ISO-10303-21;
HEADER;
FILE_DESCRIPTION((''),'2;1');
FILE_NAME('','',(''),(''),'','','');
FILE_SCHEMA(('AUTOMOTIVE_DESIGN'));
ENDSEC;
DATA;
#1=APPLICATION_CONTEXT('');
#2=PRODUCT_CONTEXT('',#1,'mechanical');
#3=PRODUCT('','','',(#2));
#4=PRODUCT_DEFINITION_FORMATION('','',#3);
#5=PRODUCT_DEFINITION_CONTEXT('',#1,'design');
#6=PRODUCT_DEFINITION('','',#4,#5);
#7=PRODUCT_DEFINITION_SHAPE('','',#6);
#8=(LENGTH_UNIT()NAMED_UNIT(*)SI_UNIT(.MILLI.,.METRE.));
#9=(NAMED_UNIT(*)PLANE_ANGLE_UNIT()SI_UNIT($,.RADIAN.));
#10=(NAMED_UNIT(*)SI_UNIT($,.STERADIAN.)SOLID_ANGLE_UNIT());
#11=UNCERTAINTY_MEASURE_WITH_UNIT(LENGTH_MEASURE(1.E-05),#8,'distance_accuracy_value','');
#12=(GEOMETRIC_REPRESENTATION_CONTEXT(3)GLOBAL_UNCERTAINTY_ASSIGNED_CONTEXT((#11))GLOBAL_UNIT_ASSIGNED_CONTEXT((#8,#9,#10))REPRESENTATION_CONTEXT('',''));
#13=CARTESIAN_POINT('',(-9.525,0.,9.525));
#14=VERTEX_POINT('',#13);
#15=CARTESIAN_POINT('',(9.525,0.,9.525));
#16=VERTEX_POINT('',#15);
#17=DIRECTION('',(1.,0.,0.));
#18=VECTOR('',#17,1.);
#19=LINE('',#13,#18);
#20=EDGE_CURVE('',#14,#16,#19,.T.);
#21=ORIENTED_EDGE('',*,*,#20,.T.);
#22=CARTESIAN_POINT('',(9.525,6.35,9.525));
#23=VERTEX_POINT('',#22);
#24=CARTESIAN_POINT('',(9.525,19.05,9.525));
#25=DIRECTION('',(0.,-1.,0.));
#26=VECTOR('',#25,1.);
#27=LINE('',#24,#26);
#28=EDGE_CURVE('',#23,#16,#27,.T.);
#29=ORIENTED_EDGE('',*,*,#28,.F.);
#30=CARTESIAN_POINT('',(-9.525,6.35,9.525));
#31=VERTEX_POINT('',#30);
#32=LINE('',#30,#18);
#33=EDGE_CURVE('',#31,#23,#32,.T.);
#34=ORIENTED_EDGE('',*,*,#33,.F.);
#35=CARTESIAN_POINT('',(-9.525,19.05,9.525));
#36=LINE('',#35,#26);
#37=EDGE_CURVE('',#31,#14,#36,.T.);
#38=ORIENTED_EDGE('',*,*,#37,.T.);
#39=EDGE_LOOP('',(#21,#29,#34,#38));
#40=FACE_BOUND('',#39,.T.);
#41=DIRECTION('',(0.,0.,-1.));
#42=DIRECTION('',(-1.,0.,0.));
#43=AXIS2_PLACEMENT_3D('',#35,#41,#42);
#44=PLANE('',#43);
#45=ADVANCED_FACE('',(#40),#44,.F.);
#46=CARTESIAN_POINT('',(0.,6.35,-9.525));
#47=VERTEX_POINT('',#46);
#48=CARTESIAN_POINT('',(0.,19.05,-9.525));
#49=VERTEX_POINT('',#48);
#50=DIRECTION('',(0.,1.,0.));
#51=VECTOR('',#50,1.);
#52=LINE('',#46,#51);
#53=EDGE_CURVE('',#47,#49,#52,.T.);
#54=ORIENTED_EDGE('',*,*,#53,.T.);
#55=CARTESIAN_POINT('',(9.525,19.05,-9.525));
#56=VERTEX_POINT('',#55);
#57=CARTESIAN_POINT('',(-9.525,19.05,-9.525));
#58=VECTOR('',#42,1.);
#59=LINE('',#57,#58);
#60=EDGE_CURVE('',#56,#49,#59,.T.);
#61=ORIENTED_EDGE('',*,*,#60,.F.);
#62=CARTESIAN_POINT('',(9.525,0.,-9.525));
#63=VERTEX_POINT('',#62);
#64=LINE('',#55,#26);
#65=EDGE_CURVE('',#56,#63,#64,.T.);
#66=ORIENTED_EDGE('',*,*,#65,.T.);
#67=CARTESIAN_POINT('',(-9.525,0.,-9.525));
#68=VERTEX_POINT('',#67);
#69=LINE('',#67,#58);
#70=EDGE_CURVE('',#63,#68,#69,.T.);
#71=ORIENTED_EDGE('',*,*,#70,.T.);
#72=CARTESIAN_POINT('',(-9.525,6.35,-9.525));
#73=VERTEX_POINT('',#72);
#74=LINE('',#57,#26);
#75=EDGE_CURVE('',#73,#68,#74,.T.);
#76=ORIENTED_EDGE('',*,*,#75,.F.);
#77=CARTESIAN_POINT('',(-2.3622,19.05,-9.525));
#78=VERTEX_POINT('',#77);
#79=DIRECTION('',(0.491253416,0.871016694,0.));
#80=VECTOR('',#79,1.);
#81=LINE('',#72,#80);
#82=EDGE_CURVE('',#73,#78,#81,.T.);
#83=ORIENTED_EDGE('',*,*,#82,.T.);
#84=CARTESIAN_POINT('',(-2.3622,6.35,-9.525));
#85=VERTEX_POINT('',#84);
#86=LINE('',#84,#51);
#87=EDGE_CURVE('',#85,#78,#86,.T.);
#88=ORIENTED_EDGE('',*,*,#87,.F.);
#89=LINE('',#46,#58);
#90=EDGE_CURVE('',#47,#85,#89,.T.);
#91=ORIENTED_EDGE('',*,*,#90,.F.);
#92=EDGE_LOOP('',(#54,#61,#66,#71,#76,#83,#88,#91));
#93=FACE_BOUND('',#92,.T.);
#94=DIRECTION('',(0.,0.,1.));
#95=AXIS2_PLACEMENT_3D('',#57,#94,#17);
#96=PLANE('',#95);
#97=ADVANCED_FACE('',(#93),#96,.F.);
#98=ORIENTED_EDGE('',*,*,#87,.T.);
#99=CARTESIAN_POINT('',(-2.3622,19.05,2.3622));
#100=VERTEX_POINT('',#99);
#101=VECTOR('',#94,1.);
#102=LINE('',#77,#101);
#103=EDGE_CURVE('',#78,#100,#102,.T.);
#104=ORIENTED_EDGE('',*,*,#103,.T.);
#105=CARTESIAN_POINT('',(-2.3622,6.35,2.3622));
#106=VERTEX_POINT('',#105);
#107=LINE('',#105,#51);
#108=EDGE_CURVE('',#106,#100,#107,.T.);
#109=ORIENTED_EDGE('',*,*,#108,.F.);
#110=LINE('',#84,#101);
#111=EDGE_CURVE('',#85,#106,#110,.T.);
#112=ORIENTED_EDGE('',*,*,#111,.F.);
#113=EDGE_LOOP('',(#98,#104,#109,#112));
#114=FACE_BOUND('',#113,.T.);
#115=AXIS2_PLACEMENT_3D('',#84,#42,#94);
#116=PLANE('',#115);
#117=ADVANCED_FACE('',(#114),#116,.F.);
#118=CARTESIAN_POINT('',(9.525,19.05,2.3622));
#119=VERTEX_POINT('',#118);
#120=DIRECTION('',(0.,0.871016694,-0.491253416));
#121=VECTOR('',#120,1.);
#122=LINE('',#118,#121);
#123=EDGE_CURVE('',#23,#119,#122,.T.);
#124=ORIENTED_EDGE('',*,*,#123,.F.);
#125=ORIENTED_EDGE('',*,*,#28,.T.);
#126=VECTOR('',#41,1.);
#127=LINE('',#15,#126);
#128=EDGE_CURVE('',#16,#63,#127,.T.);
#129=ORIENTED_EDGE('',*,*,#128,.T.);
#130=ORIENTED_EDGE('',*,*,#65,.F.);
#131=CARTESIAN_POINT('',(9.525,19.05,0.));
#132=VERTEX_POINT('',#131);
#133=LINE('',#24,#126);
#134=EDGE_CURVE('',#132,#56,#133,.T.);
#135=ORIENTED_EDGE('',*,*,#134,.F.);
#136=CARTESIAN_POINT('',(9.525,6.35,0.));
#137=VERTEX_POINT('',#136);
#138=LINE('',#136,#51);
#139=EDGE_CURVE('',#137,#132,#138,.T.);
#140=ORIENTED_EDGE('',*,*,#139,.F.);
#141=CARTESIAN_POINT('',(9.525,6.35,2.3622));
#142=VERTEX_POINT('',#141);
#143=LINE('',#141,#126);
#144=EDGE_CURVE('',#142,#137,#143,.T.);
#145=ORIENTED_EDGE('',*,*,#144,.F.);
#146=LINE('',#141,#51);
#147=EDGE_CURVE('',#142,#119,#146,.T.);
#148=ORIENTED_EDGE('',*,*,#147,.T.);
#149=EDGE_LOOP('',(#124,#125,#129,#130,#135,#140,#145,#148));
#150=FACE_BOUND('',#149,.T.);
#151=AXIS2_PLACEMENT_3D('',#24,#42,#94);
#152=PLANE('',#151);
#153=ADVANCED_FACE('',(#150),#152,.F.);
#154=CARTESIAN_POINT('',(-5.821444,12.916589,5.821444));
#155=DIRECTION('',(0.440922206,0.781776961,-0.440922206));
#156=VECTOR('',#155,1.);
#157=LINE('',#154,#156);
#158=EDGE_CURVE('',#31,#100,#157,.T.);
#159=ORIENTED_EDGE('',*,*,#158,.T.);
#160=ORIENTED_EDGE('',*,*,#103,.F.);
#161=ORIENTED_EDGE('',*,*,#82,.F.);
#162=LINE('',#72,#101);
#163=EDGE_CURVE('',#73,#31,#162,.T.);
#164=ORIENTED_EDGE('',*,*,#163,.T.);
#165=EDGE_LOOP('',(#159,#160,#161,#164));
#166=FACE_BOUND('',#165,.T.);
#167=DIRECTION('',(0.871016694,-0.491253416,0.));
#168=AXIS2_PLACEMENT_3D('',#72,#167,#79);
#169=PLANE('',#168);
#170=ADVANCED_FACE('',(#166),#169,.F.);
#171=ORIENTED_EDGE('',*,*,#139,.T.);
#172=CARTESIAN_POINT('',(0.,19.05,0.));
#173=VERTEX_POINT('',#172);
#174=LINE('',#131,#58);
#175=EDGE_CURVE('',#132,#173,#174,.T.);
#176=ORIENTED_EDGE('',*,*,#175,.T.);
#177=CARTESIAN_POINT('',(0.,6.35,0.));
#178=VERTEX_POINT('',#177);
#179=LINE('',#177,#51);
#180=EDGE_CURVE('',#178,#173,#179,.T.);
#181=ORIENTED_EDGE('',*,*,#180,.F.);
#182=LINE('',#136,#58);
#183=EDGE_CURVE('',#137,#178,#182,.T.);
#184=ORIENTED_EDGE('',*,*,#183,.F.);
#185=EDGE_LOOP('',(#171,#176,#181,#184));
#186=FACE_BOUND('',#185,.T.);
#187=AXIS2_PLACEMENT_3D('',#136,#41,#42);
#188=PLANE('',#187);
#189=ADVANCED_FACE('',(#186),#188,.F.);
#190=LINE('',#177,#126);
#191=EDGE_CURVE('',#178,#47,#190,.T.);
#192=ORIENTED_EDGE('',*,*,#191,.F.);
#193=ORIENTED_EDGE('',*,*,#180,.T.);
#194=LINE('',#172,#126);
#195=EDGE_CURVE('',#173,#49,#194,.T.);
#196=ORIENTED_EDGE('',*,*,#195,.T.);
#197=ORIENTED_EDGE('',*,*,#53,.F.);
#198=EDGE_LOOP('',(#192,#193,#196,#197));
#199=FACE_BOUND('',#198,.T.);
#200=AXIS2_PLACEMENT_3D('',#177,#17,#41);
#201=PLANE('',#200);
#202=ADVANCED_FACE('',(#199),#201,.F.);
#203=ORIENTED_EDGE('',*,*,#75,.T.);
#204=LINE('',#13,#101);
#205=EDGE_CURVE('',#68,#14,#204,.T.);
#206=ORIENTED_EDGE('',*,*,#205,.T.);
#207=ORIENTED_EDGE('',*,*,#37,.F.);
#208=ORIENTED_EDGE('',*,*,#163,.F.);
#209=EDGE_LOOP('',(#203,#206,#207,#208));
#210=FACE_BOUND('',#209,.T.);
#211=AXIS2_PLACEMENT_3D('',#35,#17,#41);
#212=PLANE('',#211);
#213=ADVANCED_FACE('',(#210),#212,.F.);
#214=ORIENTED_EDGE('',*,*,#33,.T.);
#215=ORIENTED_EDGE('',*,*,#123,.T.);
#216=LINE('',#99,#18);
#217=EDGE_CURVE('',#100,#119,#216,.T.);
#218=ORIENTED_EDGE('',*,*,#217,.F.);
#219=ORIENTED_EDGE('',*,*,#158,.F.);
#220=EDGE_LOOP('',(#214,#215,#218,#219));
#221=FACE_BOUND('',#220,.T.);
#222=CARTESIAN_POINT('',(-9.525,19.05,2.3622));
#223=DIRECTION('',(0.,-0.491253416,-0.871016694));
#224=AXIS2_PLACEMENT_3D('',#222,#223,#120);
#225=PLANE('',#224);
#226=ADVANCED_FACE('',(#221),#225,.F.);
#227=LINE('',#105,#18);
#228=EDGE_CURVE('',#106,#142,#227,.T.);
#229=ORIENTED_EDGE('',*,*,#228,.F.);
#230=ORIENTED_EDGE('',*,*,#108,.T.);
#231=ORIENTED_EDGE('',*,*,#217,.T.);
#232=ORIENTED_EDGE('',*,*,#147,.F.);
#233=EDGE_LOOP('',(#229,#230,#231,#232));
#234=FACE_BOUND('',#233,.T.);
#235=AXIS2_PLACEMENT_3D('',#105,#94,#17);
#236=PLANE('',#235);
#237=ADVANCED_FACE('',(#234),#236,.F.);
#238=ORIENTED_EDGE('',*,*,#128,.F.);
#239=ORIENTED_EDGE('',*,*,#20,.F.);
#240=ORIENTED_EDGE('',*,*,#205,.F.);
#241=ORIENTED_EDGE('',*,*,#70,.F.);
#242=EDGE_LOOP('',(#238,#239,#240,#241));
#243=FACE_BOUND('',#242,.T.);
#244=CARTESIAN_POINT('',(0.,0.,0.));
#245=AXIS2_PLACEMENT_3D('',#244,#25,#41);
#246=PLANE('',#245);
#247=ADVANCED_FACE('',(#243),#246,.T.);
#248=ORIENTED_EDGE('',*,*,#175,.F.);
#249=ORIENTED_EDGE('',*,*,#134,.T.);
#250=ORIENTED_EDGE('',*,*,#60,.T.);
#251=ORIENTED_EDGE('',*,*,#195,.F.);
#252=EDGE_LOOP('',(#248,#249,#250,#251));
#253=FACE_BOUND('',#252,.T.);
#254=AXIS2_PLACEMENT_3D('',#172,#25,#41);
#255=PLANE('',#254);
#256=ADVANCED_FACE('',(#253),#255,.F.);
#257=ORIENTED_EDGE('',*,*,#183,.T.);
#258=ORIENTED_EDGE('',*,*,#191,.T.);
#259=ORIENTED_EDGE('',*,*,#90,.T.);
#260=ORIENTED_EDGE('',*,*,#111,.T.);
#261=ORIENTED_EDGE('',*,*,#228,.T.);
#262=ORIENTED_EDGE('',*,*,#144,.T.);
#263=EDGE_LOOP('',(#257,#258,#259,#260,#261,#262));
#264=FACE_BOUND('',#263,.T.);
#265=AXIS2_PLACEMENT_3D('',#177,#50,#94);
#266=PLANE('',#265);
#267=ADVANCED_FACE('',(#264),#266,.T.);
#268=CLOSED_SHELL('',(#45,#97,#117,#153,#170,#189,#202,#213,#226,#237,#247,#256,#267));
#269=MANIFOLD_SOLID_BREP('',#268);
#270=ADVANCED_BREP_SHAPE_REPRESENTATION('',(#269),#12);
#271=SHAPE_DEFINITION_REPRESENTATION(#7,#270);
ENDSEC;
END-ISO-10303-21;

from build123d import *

# Parameters (mm, degrees)
SKETCH1_W         = 19.05
SKETCH1_H         = 19.05
BODY_DEPTH        = 19.05
SLOT_DEPTH        = 12.7
BEVEL_LEFT_DEPTH  = 19.05
BEVEL_RIGHT_DEPTH = 19.05


with BuildPart() as part:
    # Sketch1 → Body (new body)
    with BuildSketch(Plane(origin=(0, 0, 0), x_dir=(1, 0, 0), z_dir=(0, 1, 0))):
        Rectangle(SKETCH1_W, SKETCH1_H)
    extrude(amount=BODY_DEPTH)

    # Sketch2 → Slot (cut)
    with BuildSketch(Plane(origin=(0, 19.05, 0), x_dir=(1, 0, 0), z_dir=(0, 1, 0))):
        Polygon((-2.3622, 9.525), (-2.3622, -2.3622), (9.525, -2.3622), (9.525, 0), (0, 0), (0, 9.525), align=None)
    extrude(amount=-SLOT_DEPTH, mode=Mode.SUBTRACT)

    # Sketch3 → Bevel Left (cut)
    with BuildSketch(Plane.XY.offset(9.525)):
        Polygon((-2.3622, 19.05), (-9.525, 19.05), (-9.525, 6.35), align=None)
    extrude(amount=-BEVEL_LEFT_DEPTH, mode=Mode.SUBTRACT)

    # Sketch4 → Bevel Right (cut)
    with BuildSketch(Plane(origin=(9.525, 0, 0), x_dir=(0, 0, -1), z_dir=(1, 0, 0))):
        Polygon((-2.3622, 19.05), (-9.525, 6.35), (-9.525, 19.05), align=None)
    extrude(amount=-BEVEL_RIGHT_DEPTH, mode=Mode.SUBTRACT)


solid = part.part
